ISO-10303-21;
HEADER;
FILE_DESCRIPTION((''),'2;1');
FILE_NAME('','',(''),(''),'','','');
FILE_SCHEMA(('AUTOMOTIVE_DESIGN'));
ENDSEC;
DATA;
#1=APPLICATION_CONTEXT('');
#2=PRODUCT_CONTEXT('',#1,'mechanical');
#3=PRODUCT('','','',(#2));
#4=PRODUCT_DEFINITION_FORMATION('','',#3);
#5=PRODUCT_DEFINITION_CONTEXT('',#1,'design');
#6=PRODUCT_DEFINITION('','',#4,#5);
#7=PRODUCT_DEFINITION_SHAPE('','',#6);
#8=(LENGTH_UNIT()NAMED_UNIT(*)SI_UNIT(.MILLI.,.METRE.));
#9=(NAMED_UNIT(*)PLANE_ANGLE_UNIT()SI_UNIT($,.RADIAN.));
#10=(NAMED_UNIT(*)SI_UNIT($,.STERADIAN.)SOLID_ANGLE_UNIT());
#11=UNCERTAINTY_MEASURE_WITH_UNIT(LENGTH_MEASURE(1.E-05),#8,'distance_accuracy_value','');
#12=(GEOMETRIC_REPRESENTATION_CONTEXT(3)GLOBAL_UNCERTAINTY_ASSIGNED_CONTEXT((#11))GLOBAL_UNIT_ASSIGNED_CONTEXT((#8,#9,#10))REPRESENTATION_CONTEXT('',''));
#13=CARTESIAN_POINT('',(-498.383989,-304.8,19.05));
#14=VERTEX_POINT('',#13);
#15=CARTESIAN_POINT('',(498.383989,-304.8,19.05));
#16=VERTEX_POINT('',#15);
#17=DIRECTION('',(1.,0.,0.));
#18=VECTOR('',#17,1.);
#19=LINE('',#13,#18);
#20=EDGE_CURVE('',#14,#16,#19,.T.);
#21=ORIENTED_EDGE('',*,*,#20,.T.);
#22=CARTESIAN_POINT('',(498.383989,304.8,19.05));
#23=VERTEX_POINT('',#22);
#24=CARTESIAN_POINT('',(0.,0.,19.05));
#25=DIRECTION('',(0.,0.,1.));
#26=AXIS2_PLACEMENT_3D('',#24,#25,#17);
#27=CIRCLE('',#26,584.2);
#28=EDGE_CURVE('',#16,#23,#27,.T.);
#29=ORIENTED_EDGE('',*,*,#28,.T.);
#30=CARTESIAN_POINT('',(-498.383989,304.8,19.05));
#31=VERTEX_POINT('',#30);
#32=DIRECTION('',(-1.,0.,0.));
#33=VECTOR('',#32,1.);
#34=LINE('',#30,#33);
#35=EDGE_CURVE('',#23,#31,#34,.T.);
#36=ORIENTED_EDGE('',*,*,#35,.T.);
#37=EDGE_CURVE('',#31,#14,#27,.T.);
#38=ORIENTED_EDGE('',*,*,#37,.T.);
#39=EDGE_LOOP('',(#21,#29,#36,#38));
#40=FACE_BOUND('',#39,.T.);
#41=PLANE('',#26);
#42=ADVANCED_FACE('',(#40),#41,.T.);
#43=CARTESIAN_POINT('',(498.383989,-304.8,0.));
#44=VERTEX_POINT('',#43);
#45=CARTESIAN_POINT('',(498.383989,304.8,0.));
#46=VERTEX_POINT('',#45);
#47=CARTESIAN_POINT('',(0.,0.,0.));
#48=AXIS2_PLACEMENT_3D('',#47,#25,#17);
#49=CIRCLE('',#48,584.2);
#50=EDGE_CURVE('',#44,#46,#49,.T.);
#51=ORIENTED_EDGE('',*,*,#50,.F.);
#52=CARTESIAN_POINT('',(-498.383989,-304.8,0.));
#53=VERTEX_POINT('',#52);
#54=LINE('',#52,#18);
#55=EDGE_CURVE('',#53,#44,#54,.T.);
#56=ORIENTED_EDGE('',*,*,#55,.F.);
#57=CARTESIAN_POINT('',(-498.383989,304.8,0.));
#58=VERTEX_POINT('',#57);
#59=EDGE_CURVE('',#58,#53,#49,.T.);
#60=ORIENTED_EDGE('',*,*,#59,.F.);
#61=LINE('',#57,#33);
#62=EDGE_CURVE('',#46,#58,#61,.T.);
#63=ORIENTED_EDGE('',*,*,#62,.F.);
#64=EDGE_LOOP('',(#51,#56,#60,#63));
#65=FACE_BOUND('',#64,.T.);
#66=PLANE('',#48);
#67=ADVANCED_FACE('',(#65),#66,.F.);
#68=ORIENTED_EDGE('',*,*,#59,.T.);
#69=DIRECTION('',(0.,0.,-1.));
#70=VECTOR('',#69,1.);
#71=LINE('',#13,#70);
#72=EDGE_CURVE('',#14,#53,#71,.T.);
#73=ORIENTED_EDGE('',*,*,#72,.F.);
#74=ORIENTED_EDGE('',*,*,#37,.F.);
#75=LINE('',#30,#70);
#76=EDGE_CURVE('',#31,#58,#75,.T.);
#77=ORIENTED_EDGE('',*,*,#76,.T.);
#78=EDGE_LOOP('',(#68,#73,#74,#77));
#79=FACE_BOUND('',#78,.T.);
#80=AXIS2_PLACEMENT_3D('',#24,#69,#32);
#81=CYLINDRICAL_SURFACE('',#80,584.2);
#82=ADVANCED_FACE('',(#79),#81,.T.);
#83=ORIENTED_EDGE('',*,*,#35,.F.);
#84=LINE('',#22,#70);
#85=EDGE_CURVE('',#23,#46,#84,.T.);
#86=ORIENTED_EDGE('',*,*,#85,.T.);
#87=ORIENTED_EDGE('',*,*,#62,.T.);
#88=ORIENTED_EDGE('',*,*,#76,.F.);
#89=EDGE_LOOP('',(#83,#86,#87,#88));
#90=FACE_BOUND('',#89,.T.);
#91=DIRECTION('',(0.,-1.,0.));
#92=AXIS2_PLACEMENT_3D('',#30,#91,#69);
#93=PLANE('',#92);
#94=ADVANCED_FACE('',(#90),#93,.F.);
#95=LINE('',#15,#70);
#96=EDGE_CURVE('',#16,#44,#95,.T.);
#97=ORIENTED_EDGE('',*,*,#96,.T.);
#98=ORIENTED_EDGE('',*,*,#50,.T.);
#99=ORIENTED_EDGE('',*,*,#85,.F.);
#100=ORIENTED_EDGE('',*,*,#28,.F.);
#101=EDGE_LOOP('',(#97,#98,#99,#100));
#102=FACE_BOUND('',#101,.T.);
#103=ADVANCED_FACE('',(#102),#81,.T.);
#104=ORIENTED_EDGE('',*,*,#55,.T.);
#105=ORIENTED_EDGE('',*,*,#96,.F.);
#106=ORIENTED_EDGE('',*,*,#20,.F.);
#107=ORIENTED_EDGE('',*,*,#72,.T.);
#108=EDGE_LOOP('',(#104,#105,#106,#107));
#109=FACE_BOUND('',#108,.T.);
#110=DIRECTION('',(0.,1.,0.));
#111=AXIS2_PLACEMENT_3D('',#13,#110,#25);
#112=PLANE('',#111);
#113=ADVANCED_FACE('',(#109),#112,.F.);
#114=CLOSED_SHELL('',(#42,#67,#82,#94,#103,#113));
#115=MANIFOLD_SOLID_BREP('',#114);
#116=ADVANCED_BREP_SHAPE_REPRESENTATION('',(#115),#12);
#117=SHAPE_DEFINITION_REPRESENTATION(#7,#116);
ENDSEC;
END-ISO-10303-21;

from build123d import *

# Parameters (mm, degrees)
BOSS_EXTRUDE1_DEPTH = 19.05


with BuildPart() as part:
    # Sketch1 → Boss-Extrude1 (new body)
    with BuildSketch(Plane.XY):
        with BuildLine():
            Line((-498.383988507, 304.8), (498.383988507, 304.8))
            ThreePointArc((498.383988507, 304.8), (584.2, 0), (498.383988507, -304.8))
            Line((498.383988507, -304.8), (-498.383988507, -304.8))
            ThreePointArc((-498.383988507, -304.8), (-584.2, 0), (-498.383988507, 304.8))
        make_face()
    extrude(amount=BOSS_EXTRUDE1_DEPTH)


solid = part.part
